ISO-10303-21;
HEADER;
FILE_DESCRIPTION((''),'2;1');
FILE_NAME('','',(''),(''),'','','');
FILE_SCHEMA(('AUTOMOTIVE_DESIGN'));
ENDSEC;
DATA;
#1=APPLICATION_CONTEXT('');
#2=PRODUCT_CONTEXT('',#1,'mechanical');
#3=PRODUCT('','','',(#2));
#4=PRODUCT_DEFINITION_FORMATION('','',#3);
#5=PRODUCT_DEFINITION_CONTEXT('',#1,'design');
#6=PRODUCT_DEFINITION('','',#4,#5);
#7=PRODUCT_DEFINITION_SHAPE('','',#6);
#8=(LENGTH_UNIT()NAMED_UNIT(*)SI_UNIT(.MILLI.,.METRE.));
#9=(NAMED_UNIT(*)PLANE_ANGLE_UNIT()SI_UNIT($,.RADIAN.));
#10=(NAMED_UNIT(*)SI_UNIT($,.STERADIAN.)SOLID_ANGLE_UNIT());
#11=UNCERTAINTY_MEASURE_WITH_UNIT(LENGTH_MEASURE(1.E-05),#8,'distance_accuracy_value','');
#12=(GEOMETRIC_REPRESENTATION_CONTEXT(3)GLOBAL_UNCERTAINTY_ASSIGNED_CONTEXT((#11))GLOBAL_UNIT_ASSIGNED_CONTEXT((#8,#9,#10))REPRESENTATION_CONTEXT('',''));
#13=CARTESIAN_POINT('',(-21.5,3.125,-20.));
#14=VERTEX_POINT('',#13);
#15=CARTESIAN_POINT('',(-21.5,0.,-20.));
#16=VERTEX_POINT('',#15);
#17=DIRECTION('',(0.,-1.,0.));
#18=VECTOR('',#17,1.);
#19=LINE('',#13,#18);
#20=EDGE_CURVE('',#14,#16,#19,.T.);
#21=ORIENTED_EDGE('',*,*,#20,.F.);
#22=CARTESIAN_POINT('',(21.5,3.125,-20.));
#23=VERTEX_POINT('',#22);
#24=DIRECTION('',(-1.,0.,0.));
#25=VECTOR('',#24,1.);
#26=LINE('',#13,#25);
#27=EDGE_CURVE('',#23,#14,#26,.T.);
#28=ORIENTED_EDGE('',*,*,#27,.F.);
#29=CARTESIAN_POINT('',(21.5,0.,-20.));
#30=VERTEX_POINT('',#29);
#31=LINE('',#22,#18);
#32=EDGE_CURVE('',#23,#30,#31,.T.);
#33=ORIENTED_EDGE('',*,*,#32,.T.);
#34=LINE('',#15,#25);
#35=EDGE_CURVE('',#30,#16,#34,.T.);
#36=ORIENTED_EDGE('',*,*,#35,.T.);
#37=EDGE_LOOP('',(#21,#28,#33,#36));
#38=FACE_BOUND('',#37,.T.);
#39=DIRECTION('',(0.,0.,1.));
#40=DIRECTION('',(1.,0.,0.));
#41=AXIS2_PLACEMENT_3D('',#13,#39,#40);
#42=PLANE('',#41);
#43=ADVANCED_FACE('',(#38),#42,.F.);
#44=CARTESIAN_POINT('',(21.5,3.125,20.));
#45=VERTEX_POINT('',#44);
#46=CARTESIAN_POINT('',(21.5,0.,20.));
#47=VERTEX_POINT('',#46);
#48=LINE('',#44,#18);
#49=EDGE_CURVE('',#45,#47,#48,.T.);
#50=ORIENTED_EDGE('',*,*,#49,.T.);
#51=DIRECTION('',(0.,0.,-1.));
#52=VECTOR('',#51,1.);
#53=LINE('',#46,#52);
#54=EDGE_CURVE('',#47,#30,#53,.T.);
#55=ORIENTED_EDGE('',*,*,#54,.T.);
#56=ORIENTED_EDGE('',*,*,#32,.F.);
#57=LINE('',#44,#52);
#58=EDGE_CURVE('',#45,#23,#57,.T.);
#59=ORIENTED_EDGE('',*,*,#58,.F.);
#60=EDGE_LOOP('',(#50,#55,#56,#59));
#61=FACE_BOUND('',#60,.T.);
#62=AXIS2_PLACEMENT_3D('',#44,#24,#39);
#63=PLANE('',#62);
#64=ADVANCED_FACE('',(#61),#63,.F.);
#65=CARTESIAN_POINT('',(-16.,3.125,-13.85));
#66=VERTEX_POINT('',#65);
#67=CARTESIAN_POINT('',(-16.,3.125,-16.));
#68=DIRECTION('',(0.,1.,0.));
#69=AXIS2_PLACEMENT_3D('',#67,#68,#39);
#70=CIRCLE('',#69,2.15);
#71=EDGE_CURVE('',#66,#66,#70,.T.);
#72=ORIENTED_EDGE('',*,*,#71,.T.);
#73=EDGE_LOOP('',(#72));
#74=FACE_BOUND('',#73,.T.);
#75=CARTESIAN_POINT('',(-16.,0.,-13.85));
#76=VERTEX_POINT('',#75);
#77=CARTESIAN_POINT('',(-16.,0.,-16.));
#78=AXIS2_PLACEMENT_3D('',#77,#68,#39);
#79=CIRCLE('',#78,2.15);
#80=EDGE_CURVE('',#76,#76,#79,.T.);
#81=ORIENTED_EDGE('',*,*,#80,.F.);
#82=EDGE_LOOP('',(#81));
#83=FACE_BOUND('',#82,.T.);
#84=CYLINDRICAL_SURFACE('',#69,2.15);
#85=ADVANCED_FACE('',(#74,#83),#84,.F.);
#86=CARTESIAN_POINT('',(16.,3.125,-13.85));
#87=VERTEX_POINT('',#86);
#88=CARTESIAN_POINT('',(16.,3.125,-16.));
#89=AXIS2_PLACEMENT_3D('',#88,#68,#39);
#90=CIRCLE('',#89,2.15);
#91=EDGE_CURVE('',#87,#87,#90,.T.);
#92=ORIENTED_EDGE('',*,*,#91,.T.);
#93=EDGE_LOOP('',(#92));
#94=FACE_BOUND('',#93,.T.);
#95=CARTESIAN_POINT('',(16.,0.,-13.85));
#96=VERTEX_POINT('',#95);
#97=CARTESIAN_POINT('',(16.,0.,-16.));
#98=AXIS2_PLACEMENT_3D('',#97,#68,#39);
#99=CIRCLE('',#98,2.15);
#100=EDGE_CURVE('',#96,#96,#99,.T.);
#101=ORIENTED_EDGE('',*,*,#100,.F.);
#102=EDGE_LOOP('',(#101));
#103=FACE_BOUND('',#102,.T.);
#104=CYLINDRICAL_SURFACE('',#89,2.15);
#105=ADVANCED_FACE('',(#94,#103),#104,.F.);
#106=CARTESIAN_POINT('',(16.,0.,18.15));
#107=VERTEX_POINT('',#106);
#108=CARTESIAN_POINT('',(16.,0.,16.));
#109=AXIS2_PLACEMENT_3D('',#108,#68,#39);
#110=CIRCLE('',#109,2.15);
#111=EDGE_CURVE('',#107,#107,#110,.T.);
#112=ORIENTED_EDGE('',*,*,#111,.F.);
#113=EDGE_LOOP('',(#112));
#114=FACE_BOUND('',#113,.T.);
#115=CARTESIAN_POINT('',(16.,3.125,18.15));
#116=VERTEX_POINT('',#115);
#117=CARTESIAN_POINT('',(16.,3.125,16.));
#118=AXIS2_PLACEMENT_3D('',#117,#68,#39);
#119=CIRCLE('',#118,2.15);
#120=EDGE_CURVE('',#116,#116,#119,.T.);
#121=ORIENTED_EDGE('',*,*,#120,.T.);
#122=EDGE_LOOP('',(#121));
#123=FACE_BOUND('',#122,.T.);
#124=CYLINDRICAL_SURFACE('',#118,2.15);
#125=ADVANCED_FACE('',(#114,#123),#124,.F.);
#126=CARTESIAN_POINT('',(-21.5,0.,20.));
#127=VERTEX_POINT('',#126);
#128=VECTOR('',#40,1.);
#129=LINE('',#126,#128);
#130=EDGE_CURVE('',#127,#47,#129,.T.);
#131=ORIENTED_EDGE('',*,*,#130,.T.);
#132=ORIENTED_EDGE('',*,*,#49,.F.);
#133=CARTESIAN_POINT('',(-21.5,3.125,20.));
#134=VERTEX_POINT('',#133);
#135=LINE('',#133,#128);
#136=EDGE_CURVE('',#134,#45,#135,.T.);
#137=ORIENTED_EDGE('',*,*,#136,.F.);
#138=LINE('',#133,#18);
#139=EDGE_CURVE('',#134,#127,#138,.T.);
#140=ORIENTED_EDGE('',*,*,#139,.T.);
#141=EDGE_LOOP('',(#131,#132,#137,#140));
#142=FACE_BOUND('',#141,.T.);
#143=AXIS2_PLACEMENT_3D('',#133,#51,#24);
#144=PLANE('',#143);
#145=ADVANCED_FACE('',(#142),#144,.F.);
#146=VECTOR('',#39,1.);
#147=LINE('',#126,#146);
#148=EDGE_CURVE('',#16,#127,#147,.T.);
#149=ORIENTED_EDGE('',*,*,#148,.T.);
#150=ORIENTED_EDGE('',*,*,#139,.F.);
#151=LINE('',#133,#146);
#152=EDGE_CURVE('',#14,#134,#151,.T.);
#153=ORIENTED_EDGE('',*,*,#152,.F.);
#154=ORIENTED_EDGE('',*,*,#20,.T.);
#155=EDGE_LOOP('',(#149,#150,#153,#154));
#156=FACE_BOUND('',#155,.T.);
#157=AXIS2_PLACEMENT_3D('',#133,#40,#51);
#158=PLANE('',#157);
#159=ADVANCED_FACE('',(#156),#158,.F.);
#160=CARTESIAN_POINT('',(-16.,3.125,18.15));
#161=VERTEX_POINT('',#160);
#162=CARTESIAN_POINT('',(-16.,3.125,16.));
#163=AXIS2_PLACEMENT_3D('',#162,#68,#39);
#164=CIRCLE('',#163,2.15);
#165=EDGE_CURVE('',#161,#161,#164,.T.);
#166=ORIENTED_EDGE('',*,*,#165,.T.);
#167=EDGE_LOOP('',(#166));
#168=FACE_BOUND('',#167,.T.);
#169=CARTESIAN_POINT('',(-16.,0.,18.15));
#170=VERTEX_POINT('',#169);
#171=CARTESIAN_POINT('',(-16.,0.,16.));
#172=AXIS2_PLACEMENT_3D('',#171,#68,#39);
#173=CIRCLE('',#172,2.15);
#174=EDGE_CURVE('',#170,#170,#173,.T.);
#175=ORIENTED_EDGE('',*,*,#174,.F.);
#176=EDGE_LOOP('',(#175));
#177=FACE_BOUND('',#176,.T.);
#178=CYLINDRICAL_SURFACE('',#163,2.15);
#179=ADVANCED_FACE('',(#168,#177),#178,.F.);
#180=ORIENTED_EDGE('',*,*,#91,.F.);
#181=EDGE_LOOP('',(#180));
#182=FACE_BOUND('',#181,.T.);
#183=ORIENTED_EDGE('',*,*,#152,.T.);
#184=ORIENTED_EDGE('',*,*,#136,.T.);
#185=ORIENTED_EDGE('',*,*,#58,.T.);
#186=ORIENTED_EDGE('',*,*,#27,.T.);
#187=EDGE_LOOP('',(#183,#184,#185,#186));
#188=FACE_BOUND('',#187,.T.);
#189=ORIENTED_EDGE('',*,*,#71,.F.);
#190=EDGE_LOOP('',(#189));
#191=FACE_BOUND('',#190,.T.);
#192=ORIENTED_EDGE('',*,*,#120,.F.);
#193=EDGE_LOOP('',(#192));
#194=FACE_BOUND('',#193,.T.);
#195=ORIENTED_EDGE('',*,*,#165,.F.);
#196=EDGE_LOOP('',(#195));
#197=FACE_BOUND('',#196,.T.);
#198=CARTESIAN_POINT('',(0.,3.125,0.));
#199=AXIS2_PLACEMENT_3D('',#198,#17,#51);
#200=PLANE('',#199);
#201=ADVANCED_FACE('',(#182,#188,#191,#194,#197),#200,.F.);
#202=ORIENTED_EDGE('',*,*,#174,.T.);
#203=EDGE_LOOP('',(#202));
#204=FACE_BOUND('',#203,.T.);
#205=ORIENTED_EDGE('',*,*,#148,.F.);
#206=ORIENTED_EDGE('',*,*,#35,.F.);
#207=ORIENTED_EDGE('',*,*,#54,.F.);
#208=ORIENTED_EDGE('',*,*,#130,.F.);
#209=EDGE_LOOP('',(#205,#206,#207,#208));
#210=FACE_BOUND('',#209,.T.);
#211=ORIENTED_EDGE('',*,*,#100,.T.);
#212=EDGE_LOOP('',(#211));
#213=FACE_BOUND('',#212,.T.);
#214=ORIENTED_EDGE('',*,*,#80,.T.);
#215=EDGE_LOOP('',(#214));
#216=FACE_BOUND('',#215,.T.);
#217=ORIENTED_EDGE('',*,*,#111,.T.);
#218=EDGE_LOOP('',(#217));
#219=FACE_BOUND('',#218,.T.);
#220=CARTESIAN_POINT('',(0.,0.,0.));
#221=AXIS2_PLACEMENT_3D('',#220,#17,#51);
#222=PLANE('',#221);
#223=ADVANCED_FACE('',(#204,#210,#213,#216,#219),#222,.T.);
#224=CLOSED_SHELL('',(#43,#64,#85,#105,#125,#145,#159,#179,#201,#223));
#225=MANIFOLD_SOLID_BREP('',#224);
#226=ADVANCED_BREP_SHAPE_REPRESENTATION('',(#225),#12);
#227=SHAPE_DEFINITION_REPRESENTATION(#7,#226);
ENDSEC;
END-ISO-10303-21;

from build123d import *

# Parameters (mm, degrees)
SKETCH1_W            = 43
SKETCH1_H            = 40
BOSS_EXTRUDE1_DEPTH  = 3.125
M4_CLEARANCE_HOLE1_D = 4.3


with BuildPart() as part:
    # Sketch1 → Boss-Extrude1 (new body)
    with BuildSketch(Plane(origin=(0, 0, 0), x_dir=(1, 0, 0), z_dir=(0, 1, 0))):
        Rectangle(SKETCH1_W, SKETCH1_H)
    extrude(amount=BOSS_EXTRUDE1_DEPTH)

    # M4 Clearance Hole1 (through all)
    with Locations(Plane(origin=(0, 3.125, 0), x_dir=(1, 0, 0), z_dir=(0, 1, 0))):
        with Locations((-16, 16), (16, 16), (16, -16), (-16, -16)):
            Hole(M4_CLEARANCE_HOLE1_D / 2)


solid = part.part
